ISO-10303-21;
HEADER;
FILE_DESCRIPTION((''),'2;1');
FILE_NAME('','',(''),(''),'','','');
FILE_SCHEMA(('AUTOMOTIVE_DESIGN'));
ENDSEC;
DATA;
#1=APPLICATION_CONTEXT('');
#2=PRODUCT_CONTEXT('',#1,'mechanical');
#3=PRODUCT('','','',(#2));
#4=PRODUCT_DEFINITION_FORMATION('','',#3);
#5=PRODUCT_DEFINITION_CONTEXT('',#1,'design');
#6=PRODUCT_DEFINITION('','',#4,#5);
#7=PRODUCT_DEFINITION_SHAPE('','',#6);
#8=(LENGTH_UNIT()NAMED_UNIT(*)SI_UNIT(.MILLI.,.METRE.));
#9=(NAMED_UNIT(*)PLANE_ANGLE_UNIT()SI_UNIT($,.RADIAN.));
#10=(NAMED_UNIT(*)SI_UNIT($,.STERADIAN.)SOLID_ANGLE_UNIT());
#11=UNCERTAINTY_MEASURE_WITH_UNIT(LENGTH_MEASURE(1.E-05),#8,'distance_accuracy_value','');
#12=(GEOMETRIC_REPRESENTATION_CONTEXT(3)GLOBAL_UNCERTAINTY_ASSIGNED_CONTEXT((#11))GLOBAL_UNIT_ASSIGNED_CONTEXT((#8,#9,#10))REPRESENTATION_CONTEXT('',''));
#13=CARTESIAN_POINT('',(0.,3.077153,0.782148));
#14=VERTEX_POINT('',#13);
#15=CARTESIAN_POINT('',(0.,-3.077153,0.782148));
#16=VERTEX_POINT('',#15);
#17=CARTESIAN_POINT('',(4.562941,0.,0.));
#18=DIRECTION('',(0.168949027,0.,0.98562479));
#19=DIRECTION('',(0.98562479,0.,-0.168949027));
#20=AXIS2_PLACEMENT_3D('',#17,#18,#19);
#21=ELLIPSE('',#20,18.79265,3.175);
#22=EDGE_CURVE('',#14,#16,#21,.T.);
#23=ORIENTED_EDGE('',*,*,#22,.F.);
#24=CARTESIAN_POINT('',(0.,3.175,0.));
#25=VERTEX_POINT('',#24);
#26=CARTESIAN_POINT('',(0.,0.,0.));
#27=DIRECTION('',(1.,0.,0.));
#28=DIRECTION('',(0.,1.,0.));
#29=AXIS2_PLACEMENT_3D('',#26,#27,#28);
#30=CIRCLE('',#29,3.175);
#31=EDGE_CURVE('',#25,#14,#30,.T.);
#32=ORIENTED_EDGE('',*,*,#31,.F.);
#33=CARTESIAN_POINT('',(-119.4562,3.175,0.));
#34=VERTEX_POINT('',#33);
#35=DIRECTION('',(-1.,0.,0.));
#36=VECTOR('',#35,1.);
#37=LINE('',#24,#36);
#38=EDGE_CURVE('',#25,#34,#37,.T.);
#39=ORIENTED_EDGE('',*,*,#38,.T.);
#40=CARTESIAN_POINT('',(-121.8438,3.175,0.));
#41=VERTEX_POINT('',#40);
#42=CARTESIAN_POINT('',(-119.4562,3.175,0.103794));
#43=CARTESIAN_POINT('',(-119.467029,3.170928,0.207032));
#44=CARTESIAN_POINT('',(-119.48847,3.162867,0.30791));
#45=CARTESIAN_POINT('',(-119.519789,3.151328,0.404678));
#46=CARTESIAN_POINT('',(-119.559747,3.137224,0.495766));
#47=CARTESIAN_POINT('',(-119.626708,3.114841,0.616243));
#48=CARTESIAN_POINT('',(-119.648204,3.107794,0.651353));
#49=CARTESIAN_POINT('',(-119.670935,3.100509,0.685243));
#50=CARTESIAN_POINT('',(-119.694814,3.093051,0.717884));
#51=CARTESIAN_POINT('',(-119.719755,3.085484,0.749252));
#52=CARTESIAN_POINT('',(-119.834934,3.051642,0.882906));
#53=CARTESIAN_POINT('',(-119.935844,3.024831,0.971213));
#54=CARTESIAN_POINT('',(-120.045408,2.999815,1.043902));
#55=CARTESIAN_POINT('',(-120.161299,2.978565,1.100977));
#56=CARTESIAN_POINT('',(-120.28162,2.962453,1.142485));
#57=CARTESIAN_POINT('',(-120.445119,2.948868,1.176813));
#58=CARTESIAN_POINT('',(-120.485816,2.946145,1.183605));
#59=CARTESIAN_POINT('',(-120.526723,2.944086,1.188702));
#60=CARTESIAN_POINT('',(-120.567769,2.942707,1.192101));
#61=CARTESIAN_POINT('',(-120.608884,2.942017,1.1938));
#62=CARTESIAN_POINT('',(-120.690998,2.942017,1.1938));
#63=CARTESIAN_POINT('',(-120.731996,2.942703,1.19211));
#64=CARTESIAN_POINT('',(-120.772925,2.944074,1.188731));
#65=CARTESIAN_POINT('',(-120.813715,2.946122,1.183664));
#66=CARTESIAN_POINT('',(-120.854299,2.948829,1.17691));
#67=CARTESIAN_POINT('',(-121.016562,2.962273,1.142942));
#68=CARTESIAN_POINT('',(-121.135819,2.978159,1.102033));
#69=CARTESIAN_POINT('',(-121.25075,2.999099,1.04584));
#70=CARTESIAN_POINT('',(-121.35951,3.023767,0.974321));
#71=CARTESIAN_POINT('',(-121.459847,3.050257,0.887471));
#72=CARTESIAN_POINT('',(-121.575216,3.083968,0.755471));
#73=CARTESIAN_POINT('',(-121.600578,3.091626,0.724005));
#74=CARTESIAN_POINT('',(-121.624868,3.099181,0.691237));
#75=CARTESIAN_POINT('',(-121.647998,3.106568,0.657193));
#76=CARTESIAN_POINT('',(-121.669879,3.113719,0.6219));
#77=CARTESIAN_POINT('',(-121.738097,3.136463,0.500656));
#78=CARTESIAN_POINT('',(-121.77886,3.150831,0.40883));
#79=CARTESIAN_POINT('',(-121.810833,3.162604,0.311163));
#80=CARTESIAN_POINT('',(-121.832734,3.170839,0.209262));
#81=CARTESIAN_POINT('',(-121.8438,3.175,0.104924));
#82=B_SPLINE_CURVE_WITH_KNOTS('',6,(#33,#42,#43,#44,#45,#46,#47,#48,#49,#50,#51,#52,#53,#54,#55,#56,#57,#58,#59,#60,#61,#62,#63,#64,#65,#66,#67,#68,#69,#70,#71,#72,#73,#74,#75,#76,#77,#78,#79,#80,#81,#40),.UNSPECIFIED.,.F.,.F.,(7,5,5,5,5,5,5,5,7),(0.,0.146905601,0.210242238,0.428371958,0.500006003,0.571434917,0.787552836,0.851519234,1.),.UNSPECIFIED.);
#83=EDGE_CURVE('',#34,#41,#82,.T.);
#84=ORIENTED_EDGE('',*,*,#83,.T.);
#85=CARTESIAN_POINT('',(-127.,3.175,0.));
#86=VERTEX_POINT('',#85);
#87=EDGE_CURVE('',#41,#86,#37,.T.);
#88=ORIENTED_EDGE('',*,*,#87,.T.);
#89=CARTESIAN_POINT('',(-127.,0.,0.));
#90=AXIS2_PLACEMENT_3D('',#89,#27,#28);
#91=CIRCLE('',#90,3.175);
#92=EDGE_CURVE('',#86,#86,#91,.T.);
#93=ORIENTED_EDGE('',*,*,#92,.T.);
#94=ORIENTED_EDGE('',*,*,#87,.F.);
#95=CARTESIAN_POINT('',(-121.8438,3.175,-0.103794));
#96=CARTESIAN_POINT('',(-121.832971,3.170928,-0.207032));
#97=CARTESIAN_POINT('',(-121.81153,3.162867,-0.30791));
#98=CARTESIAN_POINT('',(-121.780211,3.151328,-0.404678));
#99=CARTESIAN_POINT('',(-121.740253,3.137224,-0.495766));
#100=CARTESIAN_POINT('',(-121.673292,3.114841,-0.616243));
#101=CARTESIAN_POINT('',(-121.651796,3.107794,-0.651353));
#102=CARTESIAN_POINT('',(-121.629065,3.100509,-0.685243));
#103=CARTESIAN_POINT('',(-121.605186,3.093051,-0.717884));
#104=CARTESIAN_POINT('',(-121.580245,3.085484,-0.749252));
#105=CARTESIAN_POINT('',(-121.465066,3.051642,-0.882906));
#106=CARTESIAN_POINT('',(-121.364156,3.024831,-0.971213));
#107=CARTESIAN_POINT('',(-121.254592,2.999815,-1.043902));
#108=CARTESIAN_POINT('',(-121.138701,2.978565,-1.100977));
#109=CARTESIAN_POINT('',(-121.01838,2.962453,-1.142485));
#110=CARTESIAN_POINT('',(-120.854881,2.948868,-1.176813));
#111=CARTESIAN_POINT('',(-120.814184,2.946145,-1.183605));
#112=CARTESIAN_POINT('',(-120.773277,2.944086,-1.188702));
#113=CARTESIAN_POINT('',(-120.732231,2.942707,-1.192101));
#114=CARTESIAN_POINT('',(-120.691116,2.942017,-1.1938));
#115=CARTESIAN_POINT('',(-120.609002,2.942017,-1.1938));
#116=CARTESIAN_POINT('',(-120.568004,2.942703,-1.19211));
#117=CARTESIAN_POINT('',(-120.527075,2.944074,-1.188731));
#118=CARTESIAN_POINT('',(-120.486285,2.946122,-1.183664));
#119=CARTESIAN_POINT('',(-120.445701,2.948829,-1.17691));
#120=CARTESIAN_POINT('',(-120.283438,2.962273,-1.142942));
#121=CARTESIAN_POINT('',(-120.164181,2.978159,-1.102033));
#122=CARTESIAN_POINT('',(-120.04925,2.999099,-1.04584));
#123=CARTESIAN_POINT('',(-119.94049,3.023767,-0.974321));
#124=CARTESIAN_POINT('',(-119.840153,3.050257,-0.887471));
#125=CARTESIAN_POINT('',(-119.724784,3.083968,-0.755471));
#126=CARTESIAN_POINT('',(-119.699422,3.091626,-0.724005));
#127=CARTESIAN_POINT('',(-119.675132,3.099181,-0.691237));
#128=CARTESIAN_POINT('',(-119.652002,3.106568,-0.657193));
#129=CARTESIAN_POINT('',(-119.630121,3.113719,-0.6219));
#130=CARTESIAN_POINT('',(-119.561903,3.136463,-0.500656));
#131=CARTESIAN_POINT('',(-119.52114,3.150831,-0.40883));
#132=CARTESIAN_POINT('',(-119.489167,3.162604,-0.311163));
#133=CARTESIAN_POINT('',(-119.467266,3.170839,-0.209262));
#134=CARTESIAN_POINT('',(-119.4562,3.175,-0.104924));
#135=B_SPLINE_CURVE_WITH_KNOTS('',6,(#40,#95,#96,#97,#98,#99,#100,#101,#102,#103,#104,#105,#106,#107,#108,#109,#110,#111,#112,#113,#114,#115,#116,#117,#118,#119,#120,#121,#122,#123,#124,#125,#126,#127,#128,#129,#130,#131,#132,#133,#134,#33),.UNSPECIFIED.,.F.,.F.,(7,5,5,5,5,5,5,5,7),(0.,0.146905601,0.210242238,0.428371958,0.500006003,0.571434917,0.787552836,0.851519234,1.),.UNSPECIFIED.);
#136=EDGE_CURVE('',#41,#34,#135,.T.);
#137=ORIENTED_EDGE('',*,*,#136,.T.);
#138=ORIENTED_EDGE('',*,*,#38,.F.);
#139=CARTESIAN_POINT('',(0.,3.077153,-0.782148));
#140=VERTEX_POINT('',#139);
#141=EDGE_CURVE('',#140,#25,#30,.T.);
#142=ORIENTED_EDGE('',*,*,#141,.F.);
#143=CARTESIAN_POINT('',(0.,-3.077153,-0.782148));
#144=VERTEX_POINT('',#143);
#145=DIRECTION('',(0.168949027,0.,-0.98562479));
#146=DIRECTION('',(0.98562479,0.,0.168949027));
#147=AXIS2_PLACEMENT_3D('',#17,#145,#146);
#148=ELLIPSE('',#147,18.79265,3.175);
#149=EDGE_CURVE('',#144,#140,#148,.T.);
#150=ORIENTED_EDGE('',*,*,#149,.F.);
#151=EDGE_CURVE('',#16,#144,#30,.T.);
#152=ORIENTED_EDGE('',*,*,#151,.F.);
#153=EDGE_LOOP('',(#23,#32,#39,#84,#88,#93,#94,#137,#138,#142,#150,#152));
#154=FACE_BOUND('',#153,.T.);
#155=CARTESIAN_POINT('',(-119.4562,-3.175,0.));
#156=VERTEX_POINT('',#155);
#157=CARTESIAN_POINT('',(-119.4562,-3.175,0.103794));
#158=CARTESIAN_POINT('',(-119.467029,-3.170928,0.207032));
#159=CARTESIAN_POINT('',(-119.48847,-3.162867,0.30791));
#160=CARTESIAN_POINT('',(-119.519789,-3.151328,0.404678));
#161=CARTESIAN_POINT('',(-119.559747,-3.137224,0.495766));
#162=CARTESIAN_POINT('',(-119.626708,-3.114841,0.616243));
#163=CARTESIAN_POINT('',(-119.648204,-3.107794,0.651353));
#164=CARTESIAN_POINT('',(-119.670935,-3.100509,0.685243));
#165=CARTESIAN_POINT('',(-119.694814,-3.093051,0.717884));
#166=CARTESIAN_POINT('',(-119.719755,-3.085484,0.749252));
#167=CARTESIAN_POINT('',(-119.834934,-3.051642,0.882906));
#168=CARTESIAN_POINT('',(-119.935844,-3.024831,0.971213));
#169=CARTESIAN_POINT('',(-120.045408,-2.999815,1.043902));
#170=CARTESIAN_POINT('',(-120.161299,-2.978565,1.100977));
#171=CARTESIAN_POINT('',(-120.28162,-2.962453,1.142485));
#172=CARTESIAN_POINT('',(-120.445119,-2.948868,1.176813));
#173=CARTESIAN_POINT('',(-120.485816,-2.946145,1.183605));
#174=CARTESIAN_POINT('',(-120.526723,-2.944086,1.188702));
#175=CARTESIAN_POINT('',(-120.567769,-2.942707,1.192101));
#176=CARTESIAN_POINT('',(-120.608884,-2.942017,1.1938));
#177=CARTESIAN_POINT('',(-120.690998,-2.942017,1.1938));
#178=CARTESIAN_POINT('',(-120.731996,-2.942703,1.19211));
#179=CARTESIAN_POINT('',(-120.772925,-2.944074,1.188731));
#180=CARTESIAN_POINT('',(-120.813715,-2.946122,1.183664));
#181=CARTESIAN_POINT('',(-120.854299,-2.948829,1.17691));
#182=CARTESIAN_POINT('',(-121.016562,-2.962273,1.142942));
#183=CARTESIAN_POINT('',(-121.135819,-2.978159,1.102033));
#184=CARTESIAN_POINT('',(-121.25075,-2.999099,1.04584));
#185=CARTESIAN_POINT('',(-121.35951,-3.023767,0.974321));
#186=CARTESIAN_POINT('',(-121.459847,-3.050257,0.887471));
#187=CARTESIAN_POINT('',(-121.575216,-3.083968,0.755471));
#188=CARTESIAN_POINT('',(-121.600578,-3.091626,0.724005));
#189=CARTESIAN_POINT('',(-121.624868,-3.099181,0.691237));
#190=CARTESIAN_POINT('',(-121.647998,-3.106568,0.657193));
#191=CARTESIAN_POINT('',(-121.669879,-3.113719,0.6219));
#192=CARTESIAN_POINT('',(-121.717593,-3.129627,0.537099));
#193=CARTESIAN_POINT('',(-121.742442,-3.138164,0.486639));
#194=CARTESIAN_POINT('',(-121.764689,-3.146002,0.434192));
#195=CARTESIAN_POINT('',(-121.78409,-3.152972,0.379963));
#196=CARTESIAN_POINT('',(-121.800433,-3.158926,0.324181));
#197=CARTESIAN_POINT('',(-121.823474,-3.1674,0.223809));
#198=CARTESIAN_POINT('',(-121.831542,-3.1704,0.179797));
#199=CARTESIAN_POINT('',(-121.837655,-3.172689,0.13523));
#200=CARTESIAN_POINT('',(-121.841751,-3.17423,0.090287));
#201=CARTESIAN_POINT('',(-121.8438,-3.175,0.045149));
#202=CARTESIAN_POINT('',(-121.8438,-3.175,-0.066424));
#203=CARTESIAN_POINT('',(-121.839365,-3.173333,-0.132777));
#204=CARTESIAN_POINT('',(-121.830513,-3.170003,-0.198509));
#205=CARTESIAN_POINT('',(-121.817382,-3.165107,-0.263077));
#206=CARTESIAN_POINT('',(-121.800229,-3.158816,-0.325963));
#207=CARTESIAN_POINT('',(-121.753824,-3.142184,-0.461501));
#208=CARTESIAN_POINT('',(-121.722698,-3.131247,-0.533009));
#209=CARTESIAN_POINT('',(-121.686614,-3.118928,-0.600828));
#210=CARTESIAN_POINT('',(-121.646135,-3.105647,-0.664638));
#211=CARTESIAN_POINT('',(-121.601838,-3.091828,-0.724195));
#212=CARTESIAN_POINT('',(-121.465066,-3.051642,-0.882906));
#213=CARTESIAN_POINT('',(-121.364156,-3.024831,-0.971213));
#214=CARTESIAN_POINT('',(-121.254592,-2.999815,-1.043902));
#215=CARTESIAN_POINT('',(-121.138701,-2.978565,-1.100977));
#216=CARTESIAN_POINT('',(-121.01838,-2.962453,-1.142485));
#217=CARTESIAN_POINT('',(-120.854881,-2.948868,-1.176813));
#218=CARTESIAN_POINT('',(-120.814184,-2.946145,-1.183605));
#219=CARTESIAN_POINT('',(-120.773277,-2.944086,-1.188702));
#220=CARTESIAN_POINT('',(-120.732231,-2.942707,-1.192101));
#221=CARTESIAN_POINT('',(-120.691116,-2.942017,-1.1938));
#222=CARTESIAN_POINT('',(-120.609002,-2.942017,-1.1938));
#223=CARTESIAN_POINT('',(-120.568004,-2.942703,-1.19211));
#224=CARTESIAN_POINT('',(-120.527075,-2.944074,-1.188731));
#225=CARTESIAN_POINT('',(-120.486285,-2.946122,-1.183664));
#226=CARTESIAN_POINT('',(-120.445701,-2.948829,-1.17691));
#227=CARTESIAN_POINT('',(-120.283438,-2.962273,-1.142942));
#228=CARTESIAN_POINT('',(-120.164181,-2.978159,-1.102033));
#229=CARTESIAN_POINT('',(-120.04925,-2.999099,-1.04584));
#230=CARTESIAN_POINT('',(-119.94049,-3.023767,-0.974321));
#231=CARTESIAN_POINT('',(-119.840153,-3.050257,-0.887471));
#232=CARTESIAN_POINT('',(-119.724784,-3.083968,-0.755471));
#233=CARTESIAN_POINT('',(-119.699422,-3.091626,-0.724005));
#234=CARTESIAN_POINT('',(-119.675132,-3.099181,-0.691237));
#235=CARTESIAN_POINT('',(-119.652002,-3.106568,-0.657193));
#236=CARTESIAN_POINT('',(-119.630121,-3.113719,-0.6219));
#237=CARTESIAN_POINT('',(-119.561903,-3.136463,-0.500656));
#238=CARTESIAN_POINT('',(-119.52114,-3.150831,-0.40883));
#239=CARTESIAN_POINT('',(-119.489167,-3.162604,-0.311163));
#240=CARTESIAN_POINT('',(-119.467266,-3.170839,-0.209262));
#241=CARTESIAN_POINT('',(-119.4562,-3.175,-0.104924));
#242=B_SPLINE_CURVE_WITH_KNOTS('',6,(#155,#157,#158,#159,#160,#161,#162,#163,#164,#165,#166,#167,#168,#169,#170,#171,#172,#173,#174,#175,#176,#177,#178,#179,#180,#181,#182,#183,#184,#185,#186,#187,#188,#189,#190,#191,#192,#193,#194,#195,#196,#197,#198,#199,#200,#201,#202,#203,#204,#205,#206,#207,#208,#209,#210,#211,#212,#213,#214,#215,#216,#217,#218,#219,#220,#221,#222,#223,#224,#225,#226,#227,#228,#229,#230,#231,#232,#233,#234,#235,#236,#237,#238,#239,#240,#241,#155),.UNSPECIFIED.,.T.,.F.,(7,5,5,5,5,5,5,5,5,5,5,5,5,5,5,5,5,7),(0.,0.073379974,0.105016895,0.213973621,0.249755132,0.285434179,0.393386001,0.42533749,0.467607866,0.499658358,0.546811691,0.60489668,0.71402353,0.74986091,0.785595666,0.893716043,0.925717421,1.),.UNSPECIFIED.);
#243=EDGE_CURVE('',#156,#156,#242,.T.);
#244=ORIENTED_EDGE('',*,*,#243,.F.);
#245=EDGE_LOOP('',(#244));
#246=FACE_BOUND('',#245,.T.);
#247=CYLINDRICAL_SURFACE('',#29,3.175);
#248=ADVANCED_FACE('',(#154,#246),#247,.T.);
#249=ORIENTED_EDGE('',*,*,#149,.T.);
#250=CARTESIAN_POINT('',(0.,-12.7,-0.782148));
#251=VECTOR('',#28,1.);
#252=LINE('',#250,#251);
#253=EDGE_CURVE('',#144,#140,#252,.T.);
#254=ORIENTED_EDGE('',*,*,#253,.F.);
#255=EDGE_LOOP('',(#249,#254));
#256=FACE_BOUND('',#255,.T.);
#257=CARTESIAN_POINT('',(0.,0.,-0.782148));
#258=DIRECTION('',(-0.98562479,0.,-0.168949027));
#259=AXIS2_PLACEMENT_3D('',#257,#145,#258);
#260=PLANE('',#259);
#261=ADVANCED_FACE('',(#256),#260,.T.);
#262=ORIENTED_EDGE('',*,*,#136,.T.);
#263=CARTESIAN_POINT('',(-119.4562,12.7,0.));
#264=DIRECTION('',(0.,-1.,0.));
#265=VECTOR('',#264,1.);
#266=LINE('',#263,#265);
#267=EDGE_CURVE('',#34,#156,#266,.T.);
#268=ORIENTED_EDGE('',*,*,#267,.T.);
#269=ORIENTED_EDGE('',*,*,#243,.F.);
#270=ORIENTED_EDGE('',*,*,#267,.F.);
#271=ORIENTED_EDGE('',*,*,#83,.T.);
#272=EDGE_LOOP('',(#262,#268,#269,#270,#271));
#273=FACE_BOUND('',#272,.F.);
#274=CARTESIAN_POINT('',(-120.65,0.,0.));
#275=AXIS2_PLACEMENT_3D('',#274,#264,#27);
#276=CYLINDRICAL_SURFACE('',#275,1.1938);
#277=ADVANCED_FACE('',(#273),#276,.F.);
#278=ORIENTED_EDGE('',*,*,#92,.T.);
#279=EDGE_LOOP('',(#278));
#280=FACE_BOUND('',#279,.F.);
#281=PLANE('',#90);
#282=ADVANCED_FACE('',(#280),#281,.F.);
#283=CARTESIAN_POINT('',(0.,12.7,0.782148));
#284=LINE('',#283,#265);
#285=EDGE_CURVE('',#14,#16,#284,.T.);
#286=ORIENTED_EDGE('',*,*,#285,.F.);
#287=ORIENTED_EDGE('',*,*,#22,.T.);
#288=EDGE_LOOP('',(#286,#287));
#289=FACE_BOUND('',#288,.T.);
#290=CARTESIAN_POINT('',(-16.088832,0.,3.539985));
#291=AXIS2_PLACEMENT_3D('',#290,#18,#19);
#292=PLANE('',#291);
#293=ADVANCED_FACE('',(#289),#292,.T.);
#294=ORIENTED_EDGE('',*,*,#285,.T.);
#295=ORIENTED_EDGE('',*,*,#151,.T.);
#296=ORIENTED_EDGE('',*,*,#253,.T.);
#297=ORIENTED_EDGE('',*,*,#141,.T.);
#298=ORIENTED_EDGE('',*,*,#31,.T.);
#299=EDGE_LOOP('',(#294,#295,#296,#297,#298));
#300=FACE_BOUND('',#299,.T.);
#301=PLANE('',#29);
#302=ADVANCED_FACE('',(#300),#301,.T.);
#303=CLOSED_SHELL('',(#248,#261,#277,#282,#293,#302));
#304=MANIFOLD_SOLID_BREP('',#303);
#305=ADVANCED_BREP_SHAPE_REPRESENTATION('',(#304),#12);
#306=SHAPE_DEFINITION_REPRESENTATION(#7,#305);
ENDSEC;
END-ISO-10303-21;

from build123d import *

# Parameters (mm, degrees)
F0_R     = 3.175
F1_DEPTH = 127
F2_R     = 1.1938
F3_DEPTH = 12.7


with BuildPart() as f1:
    # F0 (on Right) → F1 (new body)
    with BuildSketch(Plane.YZ):
        Circle(F0_R)
    extrude(amount=-F1_DEPTH)

    # F2 (on Front) → F3 (cut, symmetric)
    with BuildSketch(Plane.XZ):
        Polygon((-16.088832, 3.539985), (0, 0.782148), (0, 4.482536), (-16.088832, 4.482536), align=None)
        Polygon((0, -0.782148), (-16.088832, -3.539985), (-16.088832, -4.482536), (0, -4.482536), align=None)
        with Locations((-120.65, 0)):
            Circle(F2_R)
    extrude(amount=F3_DEPTH, both=True, mode=Mode.SUBTRACT)


solid = f1.part
